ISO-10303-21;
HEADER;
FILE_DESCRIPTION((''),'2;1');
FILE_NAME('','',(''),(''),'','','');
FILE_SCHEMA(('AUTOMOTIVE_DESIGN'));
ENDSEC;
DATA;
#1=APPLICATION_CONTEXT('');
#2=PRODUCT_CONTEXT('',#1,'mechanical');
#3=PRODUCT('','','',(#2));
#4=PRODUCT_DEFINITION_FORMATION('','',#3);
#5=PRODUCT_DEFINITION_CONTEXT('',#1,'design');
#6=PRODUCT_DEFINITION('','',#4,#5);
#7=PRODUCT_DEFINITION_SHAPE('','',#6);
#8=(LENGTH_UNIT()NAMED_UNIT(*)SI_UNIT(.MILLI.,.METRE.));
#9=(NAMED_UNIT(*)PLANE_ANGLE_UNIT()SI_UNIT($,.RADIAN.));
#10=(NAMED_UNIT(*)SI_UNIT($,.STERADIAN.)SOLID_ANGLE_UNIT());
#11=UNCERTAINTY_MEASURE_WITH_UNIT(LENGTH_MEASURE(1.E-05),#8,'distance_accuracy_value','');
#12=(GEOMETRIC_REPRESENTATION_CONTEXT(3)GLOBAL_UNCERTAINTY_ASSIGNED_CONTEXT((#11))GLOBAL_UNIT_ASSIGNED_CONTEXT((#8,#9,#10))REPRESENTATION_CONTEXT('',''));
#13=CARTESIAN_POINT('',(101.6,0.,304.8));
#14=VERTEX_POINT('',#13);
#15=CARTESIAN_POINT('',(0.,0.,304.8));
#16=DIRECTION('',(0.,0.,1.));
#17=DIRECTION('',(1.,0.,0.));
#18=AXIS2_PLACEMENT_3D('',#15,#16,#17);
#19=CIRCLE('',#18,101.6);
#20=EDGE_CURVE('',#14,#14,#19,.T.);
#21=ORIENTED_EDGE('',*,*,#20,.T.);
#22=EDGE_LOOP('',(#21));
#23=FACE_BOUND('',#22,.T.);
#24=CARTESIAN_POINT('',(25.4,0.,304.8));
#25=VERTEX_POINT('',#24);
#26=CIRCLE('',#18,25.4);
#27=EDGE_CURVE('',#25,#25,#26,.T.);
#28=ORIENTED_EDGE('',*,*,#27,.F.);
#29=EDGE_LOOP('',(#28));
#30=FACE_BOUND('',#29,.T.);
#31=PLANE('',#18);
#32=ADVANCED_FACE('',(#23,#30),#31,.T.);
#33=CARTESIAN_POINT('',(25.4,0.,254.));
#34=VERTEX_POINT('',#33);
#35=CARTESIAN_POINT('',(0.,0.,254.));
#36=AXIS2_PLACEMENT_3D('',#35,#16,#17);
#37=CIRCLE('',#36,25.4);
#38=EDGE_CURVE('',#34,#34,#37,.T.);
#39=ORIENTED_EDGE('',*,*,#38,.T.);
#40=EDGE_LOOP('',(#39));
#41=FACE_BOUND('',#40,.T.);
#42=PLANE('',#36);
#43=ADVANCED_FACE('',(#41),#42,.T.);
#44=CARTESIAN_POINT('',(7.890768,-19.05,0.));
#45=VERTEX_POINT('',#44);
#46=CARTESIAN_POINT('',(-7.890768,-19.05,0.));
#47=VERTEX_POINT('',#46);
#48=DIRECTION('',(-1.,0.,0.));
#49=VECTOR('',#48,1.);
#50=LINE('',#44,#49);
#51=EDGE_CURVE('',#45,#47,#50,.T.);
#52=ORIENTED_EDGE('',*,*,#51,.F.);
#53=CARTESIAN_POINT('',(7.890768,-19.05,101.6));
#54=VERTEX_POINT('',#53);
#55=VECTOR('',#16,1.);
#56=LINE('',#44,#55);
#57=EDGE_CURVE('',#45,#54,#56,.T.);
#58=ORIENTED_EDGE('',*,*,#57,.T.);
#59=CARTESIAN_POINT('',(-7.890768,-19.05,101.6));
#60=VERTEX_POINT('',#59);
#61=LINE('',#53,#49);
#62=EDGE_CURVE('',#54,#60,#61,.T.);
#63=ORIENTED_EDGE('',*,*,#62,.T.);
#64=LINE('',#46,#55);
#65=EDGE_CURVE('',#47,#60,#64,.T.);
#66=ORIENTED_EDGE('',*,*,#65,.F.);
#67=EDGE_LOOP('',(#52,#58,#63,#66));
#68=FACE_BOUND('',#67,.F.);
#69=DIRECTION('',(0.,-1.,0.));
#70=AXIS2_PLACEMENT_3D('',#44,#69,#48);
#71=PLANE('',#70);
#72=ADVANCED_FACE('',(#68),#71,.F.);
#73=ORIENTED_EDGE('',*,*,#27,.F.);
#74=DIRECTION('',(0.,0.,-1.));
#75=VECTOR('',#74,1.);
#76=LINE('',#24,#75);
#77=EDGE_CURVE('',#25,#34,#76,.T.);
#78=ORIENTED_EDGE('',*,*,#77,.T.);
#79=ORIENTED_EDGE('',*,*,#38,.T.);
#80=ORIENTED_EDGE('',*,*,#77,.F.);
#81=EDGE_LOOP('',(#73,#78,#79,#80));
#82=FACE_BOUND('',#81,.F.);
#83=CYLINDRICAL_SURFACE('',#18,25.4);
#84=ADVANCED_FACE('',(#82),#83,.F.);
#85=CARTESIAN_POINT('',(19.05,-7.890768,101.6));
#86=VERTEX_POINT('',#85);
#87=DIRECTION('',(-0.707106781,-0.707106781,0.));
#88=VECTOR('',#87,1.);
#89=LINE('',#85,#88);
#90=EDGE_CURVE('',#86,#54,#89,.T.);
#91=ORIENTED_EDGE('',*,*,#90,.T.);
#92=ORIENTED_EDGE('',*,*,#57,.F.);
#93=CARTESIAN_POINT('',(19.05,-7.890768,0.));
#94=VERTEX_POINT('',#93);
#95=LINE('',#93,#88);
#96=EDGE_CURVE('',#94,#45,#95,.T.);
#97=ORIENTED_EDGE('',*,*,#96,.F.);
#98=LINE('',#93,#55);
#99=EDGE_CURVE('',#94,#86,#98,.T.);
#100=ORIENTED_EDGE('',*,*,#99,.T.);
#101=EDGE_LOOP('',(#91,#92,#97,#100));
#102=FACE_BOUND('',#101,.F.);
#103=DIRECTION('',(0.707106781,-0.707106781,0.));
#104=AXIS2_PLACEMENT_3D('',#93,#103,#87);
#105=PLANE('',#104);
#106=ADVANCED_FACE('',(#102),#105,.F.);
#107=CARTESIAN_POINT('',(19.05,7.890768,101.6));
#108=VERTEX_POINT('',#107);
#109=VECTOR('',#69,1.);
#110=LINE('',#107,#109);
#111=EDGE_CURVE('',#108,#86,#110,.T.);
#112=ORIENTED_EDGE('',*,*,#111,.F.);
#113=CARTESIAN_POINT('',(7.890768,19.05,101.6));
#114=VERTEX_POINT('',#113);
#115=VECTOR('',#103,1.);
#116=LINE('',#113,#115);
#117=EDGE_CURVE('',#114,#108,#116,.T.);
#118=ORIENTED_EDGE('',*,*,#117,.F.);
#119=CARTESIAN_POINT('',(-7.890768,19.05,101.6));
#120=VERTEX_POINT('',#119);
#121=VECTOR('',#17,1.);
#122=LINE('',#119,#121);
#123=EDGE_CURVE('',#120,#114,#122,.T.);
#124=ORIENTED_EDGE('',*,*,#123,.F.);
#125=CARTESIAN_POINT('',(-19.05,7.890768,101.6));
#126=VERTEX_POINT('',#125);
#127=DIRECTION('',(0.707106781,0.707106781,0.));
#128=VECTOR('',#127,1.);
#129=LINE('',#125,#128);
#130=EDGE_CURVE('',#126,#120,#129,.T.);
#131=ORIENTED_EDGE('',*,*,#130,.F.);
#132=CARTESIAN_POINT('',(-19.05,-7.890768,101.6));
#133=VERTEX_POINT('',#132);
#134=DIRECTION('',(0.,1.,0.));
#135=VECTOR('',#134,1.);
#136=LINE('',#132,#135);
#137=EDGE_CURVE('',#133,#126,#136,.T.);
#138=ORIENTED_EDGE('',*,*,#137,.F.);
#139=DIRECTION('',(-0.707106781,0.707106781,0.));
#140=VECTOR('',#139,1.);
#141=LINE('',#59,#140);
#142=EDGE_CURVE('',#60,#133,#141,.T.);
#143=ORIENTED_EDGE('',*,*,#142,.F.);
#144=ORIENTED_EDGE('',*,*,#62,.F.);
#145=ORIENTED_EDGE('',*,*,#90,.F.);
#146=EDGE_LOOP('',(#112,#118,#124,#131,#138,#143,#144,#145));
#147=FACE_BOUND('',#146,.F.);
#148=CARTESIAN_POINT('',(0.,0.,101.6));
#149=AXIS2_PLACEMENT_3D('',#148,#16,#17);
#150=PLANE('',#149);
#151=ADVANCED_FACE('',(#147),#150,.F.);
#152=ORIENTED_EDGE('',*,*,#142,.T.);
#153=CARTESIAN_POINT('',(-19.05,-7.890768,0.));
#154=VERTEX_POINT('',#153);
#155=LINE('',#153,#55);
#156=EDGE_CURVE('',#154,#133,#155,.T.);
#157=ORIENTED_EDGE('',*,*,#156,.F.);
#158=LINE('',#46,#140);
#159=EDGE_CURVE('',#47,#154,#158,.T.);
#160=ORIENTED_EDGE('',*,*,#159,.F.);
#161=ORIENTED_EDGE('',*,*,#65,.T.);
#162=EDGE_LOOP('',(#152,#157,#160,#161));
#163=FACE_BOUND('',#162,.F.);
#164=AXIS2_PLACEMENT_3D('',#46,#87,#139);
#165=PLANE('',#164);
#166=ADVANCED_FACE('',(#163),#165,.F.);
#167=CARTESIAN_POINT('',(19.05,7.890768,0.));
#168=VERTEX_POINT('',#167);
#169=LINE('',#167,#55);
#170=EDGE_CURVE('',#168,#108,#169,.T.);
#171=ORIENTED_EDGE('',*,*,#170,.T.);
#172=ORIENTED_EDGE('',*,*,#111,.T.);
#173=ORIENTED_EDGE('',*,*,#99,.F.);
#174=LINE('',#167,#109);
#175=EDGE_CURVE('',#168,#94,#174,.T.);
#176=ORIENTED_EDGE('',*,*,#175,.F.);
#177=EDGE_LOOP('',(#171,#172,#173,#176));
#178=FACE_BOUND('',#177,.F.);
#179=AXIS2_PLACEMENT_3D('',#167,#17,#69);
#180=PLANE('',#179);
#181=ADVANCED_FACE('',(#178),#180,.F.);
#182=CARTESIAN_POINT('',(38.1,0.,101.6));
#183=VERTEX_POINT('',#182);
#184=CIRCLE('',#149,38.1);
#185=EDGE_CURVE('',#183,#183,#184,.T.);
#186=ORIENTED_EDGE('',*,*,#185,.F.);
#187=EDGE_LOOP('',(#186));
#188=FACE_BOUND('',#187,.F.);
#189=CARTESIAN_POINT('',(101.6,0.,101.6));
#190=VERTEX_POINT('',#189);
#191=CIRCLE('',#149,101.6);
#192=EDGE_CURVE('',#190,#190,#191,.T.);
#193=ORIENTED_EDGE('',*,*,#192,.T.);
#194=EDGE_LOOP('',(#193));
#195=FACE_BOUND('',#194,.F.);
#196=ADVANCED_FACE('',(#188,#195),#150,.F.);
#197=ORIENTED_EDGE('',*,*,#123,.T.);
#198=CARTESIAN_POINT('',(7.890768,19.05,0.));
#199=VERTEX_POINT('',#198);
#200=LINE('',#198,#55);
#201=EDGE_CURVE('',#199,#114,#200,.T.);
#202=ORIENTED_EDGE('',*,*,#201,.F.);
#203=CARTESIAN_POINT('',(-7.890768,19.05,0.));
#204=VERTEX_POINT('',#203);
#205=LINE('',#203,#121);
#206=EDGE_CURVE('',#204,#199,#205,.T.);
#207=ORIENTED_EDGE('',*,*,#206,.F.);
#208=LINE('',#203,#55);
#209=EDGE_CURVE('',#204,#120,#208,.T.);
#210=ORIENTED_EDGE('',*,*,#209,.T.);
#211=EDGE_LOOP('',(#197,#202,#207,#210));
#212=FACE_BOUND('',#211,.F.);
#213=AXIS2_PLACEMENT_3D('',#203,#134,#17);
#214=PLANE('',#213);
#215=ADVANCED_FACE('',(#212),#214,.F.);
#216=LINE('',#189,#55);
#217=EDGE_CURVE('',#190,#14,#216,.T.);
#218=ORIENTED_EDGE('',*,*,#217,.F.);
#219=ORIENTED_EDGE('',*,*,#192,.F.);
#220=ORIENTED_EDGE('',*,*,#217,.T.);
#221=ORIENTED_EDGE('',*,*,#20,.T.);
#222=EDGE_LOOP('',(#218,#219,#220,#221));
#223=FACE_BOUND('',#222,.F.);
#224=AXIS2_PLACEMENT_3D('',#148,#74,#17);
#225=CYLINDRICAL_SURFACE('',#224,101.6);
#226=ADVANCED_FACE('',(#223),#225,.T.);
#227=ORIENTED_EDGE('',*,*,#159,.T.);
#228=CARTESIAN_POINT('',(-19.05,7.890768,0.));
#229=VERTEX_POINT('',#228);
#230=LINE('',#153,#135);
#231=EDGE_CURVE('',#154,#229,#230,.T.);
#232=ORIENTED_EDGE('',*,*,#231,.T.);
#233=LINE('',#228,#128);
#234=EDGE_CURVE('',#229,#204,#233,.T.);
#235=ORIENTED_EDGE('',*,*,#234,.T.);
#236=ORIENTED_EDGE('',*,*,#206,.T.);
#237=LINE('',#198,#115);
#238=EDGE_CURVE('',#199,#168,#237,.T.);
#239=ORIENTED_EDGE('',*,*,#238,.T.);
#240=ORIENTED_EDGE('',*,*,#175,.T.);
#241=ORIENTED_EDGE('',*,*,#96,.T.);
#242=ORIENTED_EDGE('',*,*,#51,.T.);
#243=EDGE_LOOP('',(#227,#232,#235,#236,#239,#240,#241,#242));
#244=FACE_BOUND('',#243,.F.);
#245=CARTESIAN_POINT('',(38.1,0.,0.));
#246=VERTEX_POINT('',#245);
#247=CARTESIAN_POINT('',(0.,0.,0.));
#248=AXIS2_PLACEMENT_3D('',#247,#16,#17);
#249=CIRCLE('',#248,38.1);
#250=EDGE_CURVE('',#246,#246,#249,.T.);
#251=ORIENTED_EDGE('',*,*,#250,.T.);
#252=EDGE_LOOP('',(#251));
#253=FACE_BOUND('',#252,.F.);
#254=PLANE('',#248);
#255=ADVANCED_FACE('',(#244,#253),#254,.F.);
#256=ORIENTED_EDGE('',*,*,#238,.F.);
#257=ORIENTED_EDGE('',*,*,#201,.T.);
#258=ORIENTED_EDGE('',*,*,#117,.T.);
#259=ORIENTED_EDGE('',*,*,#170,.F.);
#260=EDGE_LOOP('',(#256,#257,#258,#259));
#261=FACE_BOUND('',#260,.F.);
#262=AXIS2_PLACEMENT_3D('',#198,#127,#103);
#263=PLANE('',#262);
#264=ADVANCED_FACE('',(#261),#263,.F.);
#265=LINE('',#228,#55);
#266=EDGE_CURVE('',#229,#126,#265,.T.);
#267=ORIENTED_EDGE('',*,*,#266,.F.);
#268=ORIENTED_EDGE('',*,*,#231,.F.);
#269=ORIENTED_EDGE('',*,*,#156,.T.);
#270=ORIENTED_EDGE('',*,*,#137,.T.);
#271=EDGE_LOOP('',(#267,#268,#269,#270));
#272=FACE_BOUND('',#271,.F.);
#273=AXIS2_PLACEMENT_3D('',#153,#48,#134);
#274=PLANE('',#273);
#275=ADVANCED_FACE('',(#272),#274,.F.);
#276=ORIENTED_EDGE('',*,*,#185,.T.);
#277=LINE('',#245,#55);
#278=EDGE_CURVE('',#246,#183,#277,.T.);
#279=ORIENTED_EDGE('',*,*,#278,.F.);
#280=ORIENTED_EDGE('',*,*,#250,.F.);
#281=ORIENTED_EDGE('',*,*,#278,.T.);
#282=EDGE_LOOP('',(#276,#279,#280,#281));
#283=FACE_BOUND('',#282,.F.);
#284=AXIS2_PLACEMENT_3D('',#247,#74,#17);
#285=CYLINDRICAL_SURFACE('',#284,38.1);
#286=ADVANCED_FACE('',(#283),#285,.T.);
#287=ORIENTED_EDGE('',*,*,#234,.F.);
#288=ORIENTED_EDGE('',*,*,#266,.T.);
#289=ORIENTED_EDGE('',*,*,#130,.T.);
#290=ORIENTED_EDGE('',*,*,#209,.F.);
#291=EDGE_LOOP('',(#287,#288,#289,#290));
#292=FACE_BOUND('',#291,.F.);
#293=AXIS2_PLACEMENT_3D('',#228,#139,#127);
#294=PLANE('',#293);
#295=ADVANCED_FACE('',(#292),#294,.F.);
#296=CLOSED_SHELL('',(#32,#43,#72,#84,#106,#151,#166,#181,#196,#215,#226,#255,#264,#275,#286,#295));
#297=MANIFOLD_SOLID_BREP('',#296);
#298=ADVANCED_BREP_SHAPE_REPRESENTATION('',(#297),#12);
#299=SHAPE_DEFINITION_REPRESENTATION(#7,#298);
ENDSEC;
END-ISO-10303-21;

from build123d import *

# Parameters (mm, degrees)
F0_R     = 38.1
F1_DEPTH = 101.6
F2_R     = 101.6
F3_DEPTH = 203.2
F4_R     = 25.4
F5_DEPTH = 50.8


with BuildPart() as f1:
    # F0 (on Top) → F1 (new body)
    with BuildSketch(Plane.XY):
        Circle(F0_R)
        Polygon((-19.05, 7.890768), (-7.890768, 19.05), (7.890768, 19.05), (19.05, 7.890768), (19.05, -7.890768), (7.890768, -19.05), (-7.890768, -19.05), (-19.05, -7.890768), align=None, mode=Mode.SUBTRACT)
    extrude(amount=F1_DEPTH)

    # F2 (on face) → F3 (join)
    with BuildSketch(Plane.XY.offset(101.6)):
        Circle(F2_R)
    extrude(amount=F3_DEPTH)

    # F4 (on face) → F5 (cut)
    with BuildSketch(Plane.XY.offset(304.8)):
        Circle(F4_R)
    extrude(amount=-F5_DEPTH, mode=Mode.SUBTRACT)


solid = f1.part
